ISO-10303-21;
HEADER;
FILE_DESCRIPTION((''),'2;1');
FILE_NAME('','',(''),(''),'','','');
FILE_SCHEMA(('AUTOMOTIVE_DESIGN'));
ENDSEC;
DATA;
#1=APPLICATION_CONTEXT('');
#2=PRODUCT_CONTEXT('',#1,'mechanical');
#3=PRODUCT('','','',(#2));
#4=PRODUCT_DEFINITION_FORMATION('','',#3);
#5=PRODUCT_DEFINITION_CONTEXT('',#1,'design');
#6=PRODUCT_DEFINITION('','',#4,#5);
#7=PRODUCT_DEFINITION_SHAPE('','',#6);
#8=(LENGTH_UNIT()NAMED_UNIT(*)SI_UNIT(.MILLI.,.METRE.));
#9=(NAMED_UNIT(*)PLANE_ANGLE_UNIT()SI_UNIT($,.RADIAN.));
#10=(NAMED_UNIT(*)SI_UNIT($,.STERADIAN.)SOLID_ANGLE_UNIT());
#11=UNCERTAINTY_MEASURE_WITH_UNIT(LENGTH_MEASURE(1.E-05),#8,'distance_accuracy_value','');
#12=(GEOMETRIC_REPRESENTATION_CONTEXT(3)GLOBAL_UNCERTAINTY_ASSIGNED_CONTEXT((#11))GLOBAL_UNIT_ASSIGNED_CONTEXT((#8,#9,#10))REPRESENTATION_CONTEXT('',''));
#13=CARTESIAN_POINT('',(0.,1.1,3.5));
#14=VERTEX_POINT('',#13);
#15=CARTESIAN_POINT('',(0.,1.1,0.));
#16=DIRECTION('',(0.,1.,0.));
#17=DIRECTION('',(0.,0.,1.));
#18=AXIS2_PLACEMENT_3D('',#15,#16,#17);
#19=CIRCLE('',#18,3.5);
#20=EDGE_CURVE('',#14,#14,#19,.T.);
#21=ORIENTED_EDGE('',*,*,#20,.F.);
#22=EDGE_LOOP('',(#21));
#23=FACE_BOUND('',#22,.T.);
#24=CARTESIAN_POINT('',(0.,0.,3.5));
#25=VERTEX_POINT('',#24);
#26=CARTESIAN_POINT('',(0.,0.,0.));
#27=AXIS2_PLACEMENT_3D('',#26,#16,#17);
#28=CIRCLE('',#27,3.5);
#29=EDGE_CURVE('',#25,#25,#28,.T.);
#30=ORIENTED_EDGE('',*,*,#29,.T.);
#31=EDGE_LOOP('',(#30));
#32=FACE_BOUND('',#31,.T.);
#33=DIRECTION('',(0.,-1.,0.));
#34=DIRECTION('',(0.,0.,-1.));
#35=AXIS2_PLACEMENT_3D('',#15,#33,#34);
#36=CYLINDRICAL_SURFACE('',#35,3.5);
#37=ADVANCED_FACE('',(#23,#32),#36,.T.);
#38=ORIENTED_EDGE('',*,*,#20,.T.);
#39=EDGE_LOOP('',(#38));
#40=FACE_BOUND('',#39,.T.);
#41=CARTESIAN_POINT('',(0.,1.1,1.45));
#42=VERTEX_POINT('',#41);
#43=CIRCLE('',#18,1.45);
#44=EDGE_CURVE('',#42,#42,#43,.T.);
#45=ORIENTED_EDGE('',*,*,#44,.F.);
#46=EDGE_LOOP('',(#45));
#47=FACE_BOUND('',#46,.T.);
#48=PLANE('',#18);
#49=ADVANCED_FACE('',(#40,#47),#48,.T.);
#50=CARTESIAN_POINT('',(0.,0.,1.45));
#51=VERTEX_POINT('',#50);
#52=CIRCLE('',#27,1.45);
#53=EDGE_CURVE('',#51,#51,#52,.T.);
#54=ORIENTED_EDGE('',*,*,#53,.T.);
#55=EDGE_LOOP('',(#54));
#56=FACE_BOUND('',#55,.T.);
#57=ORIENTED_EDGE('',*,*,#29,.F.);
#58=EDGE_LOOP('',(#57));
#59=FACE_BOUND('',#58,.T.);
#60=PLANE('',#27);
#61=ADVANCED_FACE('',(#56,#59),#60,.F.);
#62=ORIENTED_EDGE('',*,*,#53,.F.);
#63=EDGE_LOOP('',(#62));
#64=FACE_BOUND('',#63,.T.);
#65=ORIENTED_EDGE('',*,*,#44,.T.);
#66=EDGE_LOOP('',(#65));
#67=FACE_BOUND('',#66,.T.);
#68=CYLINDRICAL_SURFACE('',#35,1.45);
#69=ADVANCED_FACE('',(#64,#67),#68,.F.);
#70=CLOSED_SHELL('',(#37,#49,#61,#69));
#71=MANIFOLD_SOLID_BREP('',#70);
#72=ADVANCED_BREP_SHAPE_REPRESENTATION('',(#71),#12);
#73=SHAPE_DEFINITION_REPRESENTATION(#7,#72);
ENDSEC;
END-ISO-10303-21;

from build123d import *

# Parameters (mm, degrees)
SKETCH1_R           = 3.5
SKETCH1_R_2         = 1.45
BOSS_EXTRUDE1_DEPTH = 1.1


with BuildPart() as part:
    # Sketch1 → Boss-Extrude1 (new body)
    with BuildSketch(Plane(origin=(0, 0, 0), x_dir=(1, 0, 0), z_dir=(0, 1, 0))):
        Circle(SKETCH1_R)
        Circle(SKETCH1_R_2, mode=Mode.SUBTRACT)
    extrude(amount=BOSS_EXTRUDE1_DEPTH)


solid = part.part
